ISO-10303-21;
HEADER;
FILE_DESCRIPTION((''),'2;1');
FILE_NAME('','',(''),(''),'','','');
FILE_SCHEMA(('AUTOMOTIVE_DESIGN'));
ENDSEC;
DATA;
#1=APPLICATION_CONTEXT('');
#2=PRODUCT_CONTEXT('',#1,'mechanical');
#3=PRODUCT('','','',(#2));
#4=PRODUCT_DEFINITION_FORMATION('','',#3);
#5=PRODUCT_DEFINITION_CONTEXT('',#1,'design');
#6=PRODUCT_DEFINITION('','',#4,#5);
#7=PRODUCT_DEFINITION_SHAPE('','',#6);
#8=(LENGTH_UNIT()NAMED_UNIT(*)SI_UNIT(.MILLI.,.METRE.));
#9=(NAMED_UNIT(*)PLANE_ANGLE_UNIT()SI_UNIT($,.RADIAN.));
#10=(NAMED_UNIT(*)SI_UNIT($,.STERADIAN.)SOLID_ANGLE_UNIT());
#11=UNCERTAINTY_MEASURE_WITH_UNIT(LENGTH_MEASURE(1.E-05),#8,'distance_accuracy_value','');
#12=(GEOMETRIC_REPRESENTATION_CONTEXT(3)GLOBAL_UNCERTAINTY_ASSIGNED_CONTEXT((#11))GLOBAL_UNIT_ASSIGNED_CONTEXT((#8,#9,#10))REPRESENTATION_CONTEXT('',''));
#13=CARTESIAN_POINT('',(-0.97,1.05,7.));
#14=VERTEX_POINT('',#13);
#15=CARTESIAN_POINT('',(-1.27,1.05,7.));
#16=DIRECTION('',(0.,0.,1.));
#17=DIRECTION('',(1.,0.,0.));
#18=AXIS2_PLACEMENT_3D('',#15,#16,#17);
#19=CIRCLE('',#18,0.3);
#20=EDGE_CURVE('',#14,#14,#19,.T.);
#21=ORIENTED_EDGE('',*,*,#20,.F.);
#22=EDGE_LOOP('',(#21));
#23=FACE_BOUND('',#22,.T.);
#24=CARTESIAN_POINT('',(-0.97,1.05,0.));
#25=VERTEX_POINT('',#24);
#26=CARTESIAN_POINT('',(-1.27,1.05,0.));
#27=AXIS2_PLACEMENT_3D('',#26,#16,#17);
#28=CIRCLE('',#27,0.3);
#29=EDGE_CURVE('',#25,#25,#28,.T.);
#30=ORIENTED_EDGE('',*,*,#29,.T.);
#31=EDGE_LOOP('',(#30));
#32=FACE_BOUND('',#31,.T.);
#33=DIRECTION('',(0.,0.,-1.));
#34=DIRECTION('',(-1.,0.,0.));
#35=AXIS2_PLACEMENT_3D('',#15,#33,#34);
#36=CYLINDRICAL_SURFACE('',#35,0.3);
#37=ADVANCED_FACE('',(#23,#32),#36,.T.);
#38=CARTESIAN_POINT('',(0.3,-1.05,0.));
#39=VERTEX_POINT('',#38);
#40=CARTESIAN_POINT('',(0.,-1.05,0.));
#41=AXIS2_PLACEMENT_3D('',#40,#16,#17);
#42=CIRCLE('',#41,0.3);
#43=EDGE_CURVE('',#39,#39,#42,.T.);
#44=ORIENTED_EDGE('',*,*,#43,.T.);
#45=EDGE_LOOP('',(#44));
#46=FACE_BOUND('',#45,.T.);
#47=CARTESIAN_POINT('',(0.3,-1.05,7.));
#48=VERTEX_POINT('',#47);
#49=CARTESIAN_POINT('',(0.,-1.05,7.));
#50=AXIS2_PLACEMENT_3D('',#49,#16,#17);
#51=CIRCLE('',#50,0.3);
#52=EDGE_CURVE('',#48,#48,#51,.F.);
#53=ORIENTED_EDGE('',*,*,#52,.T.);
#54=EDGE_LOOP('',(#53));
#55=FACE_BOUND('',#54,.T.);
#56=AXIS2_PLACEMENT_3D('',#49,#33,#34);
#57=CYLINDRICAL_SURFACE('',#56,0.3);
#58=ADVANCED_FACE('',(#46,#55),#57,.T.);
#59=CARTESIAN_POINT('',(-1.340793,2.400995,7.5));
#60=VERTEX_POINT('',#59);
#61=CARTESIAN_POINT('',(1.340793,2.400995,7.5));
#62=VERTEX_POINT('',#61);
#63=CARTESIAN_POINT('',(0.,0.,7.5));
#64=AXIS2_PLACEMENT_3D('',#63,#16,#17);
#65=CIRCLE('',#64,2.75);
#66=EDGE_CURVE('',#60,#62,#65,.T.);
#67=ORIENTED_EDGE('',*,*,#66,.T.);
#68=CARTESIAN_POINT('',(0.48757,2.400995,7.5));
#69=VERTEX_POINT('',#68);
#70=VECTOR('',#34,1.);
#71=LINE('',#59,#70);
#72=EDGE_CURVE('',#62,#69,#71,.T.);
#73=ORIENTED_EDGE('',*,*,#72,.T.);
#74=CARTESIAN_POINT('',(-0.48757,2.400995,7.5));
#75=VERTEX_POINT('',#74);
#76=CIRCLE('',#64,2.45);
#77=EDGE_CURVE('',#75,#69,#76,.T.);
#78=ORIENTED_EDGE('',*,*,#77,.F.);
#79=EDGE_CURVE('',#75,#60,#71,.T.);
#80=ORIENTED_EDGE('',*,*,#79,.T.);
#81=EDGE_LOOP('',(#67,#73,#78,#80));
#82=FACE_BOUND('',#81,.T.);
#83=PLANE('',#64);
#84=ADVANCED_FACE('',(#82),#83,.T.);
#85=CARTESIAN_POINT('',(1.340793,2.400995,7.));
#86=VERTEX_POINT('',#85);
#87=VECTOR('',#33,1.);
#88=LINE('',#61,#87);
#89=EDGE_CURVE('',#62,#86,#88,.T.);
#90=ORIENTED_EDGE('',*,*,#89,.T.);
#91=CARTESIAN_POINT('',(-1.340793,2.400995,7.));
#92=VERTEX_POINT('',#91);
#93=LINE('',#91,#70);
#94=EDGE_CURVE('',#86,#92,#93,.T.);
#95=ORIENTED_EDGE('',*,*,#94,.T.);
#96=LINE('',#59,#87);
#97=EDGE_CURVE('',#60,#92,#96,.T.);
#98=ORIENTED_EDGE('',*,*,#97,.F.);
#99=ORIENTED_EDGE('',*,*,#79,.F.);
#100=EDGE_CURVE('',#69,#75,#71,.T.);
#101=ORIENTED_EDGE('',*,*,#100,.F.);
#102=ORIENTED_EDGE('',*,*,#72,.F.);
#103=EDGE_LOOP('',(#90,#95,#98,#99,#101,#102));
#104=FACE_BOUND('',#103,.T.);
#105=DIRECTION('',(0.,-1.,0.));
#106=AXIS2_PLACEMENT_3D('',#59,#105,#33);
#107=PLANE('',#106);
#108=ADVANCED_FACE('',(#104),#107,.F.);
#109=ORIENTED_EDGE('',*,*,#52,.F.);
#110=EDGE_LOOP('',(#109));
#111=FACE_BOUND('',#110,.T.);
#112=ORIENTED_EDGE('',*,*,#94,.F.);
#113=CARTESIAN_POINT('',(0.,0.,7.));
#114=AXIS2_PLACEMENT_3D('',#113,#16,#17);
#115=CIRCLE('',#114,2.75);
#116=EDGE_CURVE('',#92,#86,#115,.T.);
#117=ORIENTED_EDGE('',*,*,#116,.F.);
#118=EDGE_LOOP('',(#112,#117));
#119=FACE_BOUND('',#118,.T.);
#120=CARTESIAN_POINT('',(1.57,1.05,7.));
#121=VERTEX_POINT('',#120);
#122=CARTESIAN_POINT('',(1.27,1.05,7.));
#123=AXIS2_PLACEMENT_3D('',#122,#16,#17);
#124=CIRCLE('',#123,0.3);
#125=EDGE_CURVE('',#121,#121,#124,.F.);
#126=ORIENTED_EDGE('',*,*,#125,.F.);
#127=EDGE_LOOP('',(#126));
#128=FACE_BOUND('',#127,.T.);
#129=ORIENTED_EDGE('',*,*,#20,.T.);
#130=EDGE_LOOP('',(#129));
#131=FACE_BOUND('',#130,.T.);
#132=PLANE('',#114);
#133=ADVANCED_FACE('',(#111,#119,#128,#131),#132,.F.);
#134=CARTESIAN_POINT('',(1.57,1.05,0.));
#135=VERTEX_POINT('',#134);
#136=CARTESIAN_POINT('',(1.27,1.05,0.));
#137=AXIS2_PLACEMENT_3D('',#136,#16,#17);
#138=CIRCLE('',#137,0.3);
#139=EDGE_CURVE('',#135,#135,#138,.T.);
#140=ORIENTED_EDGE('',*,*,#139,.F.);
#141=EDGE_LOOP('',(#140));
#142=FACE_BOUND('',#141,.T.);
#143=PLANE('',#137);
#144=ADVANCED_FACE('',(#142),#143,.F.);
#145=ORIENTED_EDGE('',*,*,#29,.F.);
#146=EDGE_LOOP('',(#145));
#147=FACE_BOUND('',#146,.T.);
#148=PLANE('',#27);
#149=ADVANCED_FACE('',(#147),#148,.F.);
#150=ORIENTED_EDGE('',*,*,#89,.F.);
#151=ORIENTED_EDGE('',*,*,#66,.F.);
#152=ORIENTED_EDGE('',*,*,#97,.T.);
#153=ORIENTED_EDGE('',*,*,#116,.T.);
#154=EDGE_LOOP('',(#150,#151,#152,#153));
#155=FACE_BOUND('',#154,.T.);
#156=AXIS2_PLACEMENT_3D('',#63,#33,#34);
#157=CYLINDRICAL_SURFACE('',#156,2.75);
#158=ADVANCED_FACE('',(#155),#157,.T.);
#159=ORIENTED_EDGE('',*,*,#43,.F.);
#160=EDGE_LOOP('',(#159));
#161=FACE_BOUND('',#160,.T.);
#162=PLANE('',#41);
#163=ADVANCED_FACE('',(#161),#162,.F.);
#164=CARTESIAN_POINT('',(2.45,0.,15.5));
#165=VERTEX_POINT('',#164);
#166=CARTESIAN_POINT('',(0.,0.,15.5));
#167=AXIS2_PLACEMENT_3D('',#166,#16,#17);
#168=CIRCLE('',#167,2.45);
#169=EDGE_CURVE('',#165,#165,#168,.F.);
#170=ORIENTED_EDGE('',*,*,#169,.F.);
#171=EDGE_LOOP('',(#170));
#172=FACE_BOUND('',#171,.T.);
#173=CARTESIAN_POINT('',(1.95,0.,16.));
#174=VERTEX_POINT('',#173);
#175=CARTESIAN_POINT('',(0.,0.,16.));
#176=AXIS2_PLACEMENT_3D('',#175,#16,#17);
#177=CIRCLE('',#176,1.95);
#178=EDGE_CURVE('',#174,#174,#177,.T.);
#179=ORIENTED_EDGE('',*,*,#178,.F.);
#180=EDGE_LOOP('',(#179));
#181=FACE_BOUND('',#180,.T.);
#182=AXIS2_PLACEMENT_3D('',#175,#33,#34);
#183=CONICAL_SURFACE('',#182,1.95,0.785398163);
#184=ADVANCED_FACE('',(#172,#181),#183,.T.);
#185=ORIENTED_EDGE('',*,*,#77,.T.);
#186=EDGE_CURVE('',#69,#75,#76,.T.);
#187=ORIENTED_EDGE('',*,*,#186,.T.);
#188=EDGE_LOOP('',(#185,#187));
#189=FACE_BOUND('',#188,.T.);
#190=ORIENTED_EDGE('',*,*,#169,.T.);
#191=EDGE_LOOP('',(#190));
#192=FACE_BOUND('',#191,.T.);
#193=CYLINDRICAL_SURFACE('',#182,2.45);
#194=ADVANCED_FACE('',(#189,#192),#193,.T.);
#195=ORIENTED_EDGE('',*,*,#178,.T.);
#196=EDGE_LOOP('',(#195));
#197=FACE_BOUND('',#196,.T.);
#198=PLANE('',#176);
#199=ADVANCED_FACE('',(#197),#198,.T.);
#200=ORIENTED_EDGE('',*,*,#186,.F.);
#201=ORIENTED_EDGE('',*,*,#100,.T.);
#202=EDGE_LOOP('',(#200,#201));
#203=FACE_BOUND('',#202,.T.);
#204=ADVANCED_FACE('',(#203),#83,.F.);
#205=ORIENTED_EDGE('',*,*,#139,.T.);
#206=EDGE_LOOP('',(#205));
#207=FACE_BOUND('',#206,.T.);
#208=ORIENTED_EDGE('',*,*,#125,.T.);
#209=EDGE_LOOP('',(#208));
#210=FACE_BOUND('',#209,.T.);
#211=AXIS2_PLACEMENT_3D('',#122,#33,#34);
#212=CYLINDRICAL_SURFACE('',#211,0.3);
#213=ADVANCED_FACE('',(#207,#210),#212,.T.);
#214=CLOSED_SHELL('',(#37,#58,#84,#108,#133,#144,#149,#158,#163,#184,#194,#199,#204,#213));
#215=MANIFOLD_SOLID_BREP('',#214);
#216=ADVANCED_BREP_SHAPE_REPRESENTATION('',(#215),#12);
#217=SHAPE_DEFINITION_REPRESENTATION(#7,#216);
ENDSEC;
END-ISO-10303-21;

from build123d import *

# Parameters (mm, degrees)
SKETCH_1_R        = 0.3
EXTRUDE_5_DEPTH   = 7
EXTRUDE_5_2_DEPTH = 7
EXTRUDE_5_3_DEPTH = 7
EXTRUDE_6_DEPTH   = 0.5
SKETCH_6_R        = 2.45
EXTRUDE_7_DEPTH   = 8.5
CHAMFER_1_SIZE    = 0.5


with BuildPart() as part:
    # Эскиз1 → Вытянуть5 (new body)
    with BuildSketch(Plane.XY):
        with Locations((-1.27, 1.05)):
            Circle(SKETCH_1_R)
    extrude(amount=EXTRUDE_5_DEPTH)



with BuildPart() as body_2:
    # Эскиз1 → Extrude 5 2 (new body)
    with BuildSketch(Plane.XY):
        with Locations((1.27, 1.05)):
            Circle(SKETCH_1_R)
    extrude(amount=EXTRUDE_5_2_DEPTH)


with BuildPart() as body_3:
    # Эскиз1 → Extrude 5 3 (new body)
    with BuildSketch(Plane.XY):
        with Locations((0, -1.05)):
            Circle(SKETCH_1_R)
    extrude(amount=EXTRUDE_5_3_DEPTH)


with BuildPart() as part_1:
    add(part.part)

    add(body_2.part)  # Вытянуть6 merges body 2

    add(body_3.part)  # Вытянуть6 merges body 3
    # Эскиз5 → Вытянуть6 (add)
    with BuildSketch(Plane.XY.offset(7)):
        with BuildLine():
            Line((-1.34079253, 2.400994667), (1.34079253, 2.400994667))
            ThreePointArc((1.34079253, 2.400994667), (0, -2.75), (-1.34079253, 2.400994667))
        make_face()
    extrude(amount=EXTRUDE_6_DEPTH)

    # Эскиз6 → Вытянуть7 (add)
    with BuildSketch(Plane.XY.offset(7.5)):
        with Locations(Location((0, 0, 0), (0, 0, 101.478967652))):
            Circle(SKETCH_6_R)
    extrude(amount=EXTRUDE_7_DEPTH)

    # Фаска1
    chamfer_1_edges = [part_1.edges().sort_by_distance(p)[0] for p in [
        (0.487570106, -2.400994667, 16),
    ]]
    chamfer(chamfer_1_edges, length=CHAMFER_1_SIZE)


solid = part_1.part
